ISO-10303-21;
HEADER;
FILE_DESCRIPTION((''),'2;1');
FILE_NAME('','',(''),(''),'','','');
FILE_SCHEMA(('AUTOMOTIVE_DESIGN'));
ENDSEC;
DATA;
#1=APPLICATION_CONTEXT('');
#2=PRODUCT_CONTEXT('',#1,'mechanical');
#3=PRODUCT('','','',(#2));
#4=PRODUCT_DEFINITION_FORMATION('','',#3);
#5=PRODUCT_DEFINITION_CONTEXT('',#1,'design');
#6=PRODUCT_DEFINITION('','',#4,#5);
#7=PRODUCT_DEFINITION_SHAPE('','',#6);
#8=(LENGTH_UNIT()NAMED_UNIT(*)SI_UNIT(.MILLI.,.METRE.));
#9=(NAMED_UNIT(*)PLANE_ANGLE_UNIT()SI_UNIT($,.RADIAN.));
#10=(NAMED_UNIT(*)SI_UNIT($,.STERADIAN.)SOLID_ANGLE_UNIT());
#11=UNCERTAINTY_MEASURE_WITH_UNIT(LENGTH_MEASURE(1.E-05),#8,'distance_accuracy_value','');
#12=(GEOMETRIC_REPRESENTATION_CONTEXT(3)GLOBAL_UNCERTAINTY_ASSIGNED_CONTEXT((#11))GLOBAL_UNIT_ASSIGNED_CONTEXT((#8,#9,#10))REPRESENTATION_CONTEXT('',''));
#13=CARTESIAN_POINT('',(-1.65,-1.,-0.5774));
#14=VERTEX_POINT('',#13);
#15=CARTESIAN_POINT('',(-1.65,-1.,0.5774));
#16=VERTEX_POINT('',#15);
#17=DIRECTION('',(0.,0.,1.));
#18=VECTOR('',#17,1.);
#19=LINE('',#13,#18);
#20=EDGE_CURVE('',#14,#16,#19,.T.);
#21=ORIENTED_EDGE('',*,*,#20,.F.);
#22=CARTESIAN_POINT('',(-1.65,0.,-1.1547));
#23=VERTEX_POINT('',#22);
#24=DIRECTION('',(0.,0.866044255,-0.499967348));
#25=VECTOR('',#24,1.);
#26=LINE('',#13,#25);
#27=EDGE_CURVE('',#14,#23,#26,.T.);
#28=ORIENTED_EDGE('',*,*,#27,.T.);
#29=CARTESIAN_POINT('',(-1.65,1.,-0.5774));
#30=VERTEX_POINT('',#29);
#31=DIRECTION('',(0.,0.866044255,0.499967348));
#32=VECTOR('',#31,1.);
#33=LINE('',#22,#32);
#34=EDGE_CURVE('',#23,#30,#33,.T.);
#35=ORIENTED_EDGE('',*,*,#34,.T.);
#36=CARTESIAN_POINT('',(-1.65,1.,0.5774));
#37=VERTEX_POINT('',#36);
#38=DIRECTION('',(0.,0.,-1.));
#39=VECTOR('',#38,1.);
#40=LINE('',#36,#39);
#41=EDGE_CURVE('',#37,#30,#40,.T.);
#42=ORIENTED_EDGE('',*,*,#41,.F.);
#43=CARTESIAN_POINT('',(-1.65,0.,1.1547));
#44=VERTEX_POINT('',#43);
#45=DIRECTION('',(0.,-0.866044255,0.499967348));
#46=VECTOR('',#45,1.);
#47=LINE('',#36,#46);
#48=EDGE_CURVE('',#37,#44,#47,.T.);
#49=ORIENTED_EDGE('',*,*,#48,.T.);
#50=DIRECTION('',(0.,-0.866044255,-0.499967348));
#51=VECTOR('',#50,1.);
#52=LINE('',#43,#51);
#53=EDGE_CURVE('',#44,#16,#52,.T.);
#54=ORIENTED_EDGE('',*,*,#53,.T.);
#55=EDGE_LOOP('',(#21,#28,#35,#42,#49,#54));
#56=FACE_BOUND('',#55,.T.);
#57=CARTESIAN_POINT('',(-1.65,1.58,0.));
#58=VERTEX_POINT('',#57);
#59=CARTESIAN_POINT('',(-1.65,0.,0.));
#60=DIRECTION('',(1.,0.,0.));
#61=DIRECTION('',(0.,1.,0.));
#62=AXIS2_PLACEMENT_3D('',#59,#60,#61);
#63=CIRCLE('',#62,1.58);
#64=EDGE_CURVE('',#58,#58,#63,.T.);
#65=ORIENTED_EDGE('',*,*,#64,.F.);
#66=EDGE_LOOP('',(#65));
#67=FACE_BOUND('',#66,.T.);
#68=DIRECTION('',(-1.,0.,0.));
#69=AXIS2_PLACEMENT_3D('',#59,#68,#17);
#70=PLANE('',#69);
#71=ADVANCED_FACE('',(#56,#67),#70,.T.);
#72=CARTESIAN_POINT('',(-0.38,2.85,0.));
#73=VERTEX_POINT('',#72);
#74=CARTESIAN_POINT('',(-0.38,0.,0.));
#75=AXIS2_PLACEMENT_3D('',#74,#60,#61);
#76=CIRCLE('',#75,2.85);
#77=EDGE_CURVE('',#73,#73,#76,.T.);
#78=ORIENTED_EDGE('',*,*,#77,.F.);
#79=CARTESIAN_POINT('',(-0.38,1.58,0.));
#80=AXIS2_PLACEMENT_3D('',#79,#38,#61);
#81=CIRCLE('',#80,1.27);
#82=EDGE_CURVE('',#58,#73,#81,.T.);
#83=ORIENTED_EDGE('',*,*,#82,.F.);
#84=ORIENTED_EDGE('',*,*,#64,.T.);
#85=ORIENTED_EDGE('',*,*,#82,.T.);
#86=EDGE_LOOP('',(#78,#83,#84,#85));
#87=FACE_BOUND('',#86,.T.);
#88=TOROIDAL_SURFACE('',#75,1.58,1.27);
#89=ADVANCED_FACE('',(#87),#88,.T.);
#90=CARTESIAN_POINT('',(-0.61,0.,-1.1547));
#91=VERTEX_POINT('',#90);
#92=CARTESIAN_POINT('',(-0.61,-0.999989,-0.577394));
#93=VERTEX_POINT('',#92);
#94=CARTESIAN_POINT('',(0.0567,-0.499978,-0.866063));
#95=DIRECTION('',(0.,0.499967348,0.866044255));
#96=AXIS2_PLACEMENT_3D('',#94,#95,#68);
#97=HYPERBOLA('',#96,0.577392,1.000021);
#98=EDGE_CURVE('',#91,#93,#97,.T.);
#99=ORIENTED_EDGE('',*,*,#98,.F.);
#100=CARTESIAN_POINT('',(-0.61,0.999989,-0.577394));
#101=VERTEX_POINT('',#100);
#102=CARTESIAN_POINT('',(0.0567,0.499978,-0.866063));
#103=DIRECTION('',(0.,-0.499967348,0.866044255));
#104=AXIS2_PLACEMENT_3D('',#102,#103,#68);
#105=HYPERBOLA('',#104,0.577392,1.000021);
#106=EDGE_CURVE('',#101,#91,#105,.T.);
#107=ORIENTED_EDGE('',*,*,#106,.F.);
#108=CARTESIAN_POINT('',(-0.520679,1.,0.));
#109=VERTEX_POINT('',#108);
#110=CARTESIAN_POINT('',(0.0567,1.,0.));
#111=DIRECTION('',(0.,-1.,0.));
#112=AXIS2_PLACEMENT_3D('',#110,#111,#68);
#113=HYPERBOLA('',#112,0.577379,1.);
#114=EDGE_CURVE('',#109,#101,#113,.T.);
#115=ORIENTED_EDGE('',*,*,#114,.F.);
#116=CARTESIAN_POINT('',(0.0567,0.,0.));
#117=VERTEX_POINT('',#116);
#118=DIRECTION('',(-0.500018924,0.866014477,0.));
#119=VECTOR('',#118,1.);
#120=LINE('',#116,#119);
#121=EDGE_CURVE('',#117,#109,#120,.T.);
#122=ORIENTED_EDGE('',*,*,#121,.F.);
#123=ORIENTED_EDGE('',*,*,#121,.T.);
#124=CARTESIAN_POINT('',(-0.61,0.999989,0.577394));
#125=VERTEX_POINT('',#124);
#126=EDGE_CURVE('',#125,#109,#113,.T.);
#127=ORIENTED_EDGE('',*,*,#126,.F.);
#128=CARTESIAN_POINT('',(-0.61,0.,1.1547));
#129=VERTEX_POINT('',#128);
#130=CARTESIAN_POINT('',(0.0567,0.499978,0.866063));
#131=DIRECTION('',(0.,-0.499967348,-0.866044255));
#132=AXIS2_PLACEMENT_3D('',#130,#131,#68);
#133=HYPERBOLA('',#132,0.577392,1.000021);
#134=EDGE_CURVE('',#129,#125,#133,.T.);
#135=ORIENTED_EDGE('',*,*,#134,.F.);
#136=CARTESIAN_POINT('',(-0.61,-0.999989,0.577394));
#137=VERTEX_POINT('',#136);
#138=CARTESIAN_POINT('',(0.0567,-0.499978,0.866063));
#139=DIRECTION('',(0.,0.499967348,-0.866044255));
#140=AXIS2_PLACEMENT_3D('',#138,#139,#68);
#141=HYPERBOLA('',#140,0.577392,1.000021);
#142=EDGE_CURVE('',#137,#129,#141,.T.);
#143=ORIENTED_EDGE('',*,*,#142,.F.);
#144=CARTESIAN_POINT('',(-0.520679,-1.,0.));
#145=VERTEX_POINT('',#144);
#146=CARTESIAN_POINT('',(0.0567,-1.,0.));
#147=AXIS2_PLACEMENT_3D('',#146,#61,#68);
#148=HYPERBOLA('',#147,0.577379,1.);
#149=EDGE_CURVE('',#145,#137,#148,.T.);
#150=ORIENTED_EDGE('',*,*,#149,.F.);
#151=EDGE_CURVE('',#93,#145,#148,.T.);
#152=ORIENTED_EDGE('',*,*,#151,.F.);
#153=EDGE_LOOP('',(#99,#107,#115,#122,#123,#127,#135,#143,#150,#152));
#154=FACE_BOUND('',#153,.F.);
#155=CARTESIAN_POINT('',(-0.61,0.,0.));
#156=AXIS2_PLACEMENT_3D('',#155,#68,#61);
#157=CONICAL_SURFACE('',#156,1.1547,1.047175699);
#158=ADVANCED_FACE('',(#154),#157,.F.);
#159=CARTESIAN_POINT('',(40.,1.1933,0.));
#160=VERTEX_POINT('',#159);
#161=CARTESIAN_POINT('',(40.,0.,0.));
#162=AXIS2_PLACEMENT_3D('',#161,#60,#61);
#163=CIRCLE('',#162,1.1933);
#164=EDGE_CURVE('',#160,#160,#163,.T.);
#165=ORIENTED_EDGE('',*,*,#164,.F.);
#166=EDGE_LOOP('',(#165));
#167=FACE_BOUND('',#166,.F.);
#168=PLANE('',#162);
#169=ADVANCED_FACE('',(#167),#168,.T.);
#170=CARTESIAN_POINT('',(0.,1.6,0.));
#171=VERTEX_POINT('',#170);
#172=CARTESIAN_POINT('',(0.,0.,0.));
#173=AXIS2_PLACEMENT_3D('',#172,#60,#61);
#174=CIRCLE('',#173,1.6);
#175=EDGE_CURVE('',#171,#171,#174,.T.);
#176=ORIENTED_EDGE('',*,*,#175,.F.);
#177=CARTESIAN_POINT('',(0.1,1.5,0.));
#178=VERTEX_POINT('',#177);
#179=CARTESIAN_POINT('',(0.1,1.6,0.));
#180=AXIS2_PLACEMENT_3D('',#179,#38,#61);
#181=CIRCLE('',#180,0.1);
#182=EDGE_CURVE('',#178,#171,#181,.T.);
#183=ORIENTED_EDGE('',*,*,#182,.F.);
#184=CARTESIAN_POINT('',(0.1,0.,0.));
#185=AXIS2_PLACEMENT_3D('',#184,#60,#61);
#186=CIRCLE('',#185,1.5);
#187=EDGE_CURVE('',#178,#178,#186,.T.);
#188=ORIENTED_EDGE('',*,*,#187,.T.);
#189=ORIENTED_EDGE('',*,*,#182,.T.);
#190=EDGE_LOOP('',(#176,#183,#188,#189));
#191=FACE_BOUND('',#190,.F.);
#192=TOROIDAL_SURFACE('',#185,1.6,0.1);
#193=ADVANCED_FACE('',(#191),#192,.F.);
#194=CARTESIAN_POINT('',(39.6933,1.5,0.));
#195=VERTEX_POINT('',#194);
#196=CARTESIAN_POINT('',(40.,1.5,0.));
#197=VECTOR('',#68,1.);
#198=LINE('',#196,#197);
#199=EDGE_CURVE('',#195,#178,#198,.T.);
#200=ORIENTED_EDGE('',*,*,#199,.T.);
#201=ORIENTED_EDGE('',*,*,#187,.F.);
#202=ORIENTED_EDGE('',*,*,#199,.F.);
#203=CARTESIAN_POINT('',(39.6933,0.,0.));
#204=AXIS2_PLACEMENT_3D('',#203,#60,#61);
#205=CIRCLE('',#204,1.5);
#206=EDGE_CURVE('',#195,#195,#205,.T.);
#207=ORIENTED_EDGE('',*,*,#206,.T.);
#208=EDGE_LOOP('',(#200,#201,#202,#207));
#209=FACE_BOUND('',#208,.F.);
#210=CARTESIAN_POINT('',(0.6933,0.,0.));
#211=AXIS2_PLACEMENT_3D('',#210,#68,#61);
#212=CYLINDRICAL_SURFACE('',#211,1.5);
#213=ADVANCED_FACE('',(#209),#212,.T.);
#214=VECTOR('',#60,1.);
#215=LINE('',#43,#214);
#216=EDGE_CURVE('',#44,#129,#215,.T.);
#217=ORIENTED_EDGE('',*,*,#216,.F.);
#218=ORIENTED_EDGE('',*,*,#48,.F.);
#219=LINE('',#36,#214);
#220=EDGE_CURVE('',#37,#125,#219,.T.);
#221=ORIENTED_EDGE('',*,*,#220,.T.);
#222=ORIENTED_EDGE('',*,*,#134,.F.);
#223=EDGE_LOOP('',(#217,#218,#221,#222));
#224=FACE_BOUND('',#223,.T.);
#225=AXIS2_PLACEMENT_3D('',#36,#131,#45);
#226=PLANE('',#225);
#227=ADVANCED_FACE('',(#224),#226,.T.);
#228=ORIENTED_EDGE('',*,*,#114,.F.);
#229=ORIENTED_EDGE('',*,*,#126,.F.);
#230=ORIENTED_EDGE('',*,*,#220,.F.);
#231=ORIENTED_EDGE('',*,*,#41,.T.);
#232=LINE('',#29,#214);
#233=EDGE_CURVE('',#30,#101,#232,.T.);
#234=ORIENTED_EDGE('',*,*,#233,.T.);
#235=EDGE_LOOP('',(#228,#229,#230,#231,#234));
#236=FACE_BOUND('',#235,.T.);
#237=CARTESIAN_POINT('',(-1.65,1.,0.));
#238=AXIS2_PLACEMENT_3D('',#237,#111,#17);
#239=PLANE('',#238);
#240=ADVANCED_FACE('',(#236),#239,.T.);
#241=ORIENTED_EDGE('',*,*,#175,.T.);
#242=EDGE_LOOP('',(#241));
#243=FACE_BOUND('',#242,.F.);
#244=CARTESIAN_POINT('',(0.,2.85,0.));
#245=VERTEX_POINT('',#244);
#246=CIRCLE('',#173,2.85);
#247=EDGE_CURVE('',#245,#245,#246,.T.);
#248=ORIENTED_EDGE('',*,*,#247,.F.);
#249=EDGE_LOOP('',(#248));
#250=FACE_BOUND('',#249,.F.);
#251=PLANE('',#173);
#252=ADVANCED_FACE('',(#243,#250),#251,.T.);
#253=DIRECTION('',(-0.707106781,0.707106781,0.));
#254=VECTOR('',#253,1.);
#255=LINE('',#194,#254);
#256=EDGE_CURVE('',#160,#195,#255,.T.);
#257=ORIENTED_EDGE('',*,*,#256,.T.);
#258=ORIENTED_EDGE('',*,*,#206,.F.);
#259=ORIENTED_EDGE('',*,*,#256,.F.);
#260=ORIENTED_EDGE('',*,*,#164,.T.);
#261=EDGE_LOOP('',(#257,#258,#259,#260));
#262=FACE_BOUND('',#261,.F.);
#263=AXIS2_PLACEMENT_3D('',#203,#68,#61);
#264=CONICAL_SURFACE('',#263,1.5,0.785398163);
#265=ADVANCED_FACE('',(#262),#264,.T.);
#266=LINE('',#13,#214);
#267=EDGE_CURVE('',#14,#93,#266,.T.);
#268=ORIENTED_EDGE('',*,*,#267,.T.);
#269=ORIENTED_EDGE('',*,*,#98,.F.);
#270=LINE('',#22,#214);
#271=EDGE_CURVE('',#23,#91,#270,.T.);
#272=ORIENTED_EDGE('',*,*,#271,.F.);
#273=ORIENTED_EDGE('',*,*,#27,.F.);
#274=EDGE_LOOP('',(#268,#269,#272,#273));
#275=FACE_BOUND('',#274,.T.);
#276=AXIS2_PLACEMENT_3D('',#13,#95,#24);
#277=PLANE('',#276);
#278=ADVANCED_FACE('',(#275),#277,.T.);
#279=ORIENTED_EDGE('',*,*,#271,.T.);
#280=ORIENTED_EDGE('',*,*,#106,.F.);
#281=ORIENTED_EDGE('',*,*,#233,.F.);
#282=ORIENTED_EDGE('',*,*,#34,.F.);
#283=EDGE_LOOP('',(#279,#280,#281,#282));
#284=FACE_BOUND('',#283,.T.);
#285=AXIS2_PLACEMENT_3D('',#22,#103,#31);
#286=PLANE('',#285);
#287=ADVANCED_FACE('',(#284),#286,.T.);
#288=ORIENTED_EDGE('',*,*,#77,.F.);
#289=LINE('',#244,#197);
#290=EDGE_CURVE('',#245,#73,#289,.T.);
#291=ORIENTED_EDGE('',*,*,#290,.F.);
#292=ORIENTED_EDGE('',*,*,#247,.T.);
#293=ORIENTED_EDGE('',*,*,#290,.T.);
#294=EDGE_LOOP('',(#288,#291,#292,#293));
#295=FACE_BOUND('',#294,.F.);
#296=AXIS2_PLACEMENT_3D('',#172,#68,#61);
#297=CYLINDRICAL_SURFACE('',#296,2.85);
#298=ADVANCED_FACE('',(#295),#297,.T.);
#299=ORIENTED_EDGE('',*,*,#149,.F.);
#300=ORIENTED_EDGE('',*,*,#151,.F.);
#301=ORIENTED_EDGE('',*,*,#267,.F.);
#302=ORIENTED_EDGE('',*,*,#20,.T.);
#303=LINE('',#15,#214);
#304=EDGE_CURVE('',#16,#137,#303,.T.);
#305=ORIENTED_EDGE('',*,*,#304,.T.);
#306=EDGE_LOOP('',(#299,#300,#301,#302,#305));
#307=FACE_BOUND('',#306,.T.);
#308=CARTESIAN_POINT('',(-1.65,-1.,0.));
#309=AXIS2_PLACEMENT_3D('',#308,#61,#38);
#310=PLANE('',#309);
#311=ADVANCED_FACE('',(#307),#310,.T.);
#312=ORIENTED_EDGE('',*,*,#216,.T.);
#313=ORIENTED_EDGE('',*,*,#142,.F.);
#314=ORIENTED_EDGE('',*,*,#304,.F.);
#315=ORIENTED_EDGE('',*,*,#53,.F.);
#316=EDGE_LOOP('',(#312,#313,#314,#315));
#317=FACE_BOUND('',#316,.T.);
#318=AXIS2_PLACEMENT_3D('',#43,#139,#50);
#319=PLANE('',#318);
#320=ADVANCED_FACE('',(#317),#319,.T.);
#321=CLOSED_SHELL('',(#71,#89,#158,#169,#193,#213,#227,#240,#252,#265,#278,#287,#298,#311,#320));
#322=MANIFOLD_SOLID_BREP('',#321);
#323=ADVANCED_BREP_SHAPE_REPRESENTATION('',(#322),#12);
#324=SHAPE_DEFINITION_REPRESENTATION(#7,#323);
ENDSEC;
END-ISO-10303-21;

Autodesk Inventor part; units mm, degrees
ref_plane "YZ Plane" through (0, 0, 0) normal (1, 0, 0) x (0, 1, 0)
ref_plane "XZ Plane" through (0, 0, 0) normal (0, 1, 0) x (-1, 0, 0)
sketch "Sketch1" plane through (0, 0, 0) normal (0, 0, 1) x (1, 0, 0)
  line L0 (0.0567, 0) -> (40, 0)
  line L1 (40, 0) -> (40, 1.5)
  line L2 (40, 1.5) -> (1, 1.5)
  line L3 (1, 1.5) -> (0.6933, 1.5)
  line L4 (0.6933, 1.5) -> (0, 1.5)
  line L5 (0, 1.5) -> (0, 2.85)
  line L6 (0, 2.85) -> (-1.65, 2.85)
  line L7 (-1.65, 2.85) -> (-1.65, 1.1547)
  line L8 (-1.65, 1.1547) -> (-0.61, 1.1547)
  line L9 (-0.61, 1.1547) -> (0.0567, 0)
  line L10 (-9.98, 0) -> (48.33, 0) projected
  line L11 (0, -0.57) -> (0, 3.42) projected
  line L12 (1, 1.5) -> (0, 1.5) construction
  dimension "d0" = 39
  dimension "d1" = 0.3067
  dimension "d2" = 1.65
  dimension "d3" = 1.04
  dimension "d4" = 60
  dimension "d5" = 3
  dimension "d6" = 3
  dimension "d7" = 2.3094
  dimension "d8" = 5.7
  dimension "d19" = 40
revolve "Body" add sketch "Sketch1" angle 360 about axis through (0.0567, 0, 0) along (1, 0, 0) contours L9 L11 L4 L3 L2 L1 L0 | L9 L8 L7 L6 L5 L11
sketch "Sketch2" plane through (-1.65, 0, 0) normal (-1, 0, 0) x (0, 0, 1)
  circle A0 centre (0, 0) radius 1.1547 projected
  line L0 (0, -3.99) -> (0, 3.99) projected
  line L1 (-3.99, 0) -> (3.99, 0) projected
  line L2 (1.1547, 0) -> (0.5774, -1)
  line L3 (0.5774, -1) -> (-0.5774, -1)
  line L4 (-0.5774, -1) -> (-1.1547, 0)
  line L5 (-1.1547, 0) -> (-0.5774, 1)
  line L6 (-0.5774, 1) -> (0.5774, 1)
  line L7 (0.5774, 1) -> (1.1547, 0)
extrude "Slot" add sketch "Sketch2" against normal up to next contours L7 A0 | A0 L2 | L6 L0 A0 | A0 L0 L3 | L0 L6 A0 | A0 L3 L0 | L4 A0 | A0 L5
fillet "Fillet1" radius 1.27 1 edges at (-1.65, -2.85, 0)
thread "Thread" size "M3x0.5" class "4g6g" standard "ANSI Metric M Profile" length 39
chamfer "Chamfer1" distance 0.3067 distance2 0.3067 1 edges at (40, -1.5, 0) measured on face at (40, -0.1088, 0.5667)
fillet "Fillet2" radius 0.1 1 edges at (0, -1.5, 0)
ref_plane "Work Plane1" through (30, 0, 0) normal (0, -0.5, 0.866) x (1, 0, 0)
equation "\"d16\" = RR"
equation "\"d12\" = GEL"
equation "\"d14\" = -0.5 * SPD + 0.5 * GD"
equation "\"d15\" = GUL"
equation "\"d29\" = R"
equation "\"d0\" = GEL"
equation "\"d1\" = GAL"
equation "\"d2\" = KOH"
equation "\"d3\" = INTI"
equation "\"d5\" = GD"
equation "\"d6\" = BDM"
equation "\"d7\" = 1.1547 * SW"
equation "\"d8\" = KOD"
equation "\"d19\" = NLG"
equation "\"GD\" = NND"
equation "\"NLG\" = 40"
equation "\"GEL\" = 39"
equation "\"KOD\" = 5.7"
equation "\"KOH\" = 1.65"
equation "\"INTI\" = 1.04"
equation "\"GAL\" = 0.61345 * PTC"
equation "\"GUL\" = 0.61345 * PTC"
equation "\"BDM\" = NND"
equation "\"SW\" = 2"
equation "\"RR\" = 1.27"
equation "\"SPD\" = 2.38655"
equation "\"d28\" = R"
equation "\"R\" = 0.1"
equation "\"TOA\" = 30deg"
equation "\"THREADDIA\" = 3"
equation "\"KOD1\" = KOD - 2 * RR"
equation "\"PTC\" = 0.5"
equation "\"NND\" = 3"
equation "\"E0\" = 1.155 * SW"
equation "\"GD1\" = THREADDIA - 1.2269 * PTC"
properties part number "ANSI B18.3.4M - M3 x 0.5 x 40, FHSBHCSM" material "Steel, Mild"
